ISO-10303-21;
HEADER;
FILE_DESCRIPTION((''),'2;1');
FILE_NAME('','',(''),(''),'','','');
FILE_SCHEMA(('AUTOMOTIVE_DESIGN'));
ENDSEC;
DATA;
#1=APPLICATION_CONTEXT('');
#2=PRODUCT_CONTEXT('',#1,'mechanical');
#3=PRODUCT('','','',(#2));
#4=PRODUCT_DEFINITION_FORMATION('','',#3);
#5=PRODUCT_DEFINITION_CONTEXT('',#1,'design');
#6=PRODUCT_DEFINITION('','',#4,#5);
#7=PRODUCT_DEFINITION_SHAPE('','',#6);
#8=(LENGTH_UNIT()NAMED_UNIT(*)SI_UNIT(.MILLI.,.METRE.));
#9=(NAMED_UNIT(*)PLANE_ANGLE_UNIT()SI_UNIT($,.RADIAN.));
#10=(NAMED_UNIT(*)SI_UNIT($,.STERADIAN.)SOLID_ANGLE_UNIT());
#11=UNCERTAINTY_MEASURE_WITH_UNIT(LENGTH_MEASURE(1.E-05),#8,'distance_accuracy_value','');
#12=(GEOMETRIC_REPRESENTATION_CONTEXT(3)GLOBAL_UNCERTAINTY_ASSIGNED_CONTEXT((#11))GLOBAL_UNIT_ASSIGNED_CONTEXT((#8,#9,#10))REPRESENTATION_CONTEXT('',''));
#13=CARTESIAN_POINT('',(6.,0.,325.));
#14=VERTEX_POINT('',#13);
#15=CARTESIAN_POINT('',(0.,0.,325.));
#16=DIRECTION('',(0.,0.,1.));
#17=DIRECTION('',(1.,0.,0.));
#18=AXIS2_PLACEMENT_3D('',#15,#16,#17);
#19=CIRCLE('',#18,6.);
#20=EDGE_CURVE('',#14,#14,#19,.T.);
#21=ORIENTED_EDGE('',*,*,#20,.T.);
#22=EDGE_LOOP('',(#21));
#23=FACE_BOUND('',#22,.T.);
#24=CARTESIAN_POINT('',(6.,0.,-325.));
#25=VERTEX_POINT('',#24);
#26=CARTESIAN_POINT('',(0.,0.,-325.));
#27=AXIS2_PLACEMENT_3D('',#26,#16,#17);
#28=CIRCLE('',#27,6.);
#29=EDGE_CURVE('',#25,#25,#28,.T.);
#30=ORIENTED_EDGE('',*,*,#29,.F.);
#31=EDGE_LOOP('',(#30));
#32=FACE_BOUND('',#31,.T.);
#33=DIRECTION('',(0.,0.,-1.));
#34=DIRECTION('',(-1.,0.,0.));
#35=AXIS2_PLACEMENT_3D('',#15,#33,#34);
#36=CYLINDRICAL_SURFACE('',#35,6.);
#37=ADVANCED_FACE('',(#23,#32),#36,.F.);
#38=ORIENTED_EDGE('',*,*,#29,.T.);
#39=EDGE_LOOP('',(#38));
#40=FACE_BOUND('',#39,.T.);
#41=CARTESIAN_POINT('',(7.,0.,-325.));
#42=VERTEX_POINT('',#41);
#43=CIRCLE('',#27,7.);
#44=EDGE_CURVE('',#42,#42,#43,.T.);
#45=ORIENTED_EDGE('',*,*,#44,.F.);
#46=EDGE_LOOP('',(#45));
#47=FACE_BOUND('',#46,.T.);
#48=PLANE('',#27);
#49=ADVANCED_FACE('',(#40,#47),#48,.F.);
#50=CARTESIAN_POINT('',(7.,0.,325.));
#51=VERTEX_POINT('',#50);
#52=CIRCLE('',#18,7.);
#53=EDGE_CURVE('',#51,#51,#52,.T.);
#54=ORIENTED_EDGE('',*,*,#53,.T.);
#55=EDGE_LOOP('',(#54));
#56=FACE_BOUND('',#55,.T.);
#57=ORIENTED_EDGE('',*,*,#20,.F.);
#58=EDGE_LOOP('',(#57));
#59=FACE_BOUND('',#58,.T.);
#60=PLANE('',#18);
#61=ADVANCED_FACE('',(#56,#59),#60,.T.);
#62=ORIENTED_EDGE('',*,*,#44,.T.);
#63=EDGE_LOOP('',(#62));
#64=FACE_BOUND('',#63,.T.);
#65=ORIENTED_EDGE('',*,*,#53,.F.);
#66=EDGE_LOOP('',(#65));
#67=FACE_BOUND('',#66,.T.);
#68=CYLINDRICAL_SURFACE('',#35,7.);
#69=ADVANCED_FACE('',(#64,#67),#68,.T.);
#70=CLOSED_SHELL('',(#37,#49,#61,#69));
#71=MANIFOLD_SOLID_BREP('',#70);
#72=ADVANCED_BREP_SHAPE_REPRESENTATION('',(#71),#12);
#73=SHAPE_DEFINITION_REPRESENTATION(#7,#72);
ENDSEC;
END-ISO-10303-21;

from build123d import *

# Parameters (mm, degrees)
SKETCH_1_R      = 7
SKETCH_1_R_2    = 6
EXTRUDE_1_DEPTH = 325


with BuildPart() as part:
    # Эскиз1 → Бобышка-Вытянуть1 (new, symmetric)
    with BuildSketch(Plane.XY):
        Circle(SKETCH_1_R)
        Circle(SKETCH_1_R_2, mode=Mode.SUBTRACT)
    extrude(amount=EXTRUDE_1_DEPTH, both=True)


solid = part.part
